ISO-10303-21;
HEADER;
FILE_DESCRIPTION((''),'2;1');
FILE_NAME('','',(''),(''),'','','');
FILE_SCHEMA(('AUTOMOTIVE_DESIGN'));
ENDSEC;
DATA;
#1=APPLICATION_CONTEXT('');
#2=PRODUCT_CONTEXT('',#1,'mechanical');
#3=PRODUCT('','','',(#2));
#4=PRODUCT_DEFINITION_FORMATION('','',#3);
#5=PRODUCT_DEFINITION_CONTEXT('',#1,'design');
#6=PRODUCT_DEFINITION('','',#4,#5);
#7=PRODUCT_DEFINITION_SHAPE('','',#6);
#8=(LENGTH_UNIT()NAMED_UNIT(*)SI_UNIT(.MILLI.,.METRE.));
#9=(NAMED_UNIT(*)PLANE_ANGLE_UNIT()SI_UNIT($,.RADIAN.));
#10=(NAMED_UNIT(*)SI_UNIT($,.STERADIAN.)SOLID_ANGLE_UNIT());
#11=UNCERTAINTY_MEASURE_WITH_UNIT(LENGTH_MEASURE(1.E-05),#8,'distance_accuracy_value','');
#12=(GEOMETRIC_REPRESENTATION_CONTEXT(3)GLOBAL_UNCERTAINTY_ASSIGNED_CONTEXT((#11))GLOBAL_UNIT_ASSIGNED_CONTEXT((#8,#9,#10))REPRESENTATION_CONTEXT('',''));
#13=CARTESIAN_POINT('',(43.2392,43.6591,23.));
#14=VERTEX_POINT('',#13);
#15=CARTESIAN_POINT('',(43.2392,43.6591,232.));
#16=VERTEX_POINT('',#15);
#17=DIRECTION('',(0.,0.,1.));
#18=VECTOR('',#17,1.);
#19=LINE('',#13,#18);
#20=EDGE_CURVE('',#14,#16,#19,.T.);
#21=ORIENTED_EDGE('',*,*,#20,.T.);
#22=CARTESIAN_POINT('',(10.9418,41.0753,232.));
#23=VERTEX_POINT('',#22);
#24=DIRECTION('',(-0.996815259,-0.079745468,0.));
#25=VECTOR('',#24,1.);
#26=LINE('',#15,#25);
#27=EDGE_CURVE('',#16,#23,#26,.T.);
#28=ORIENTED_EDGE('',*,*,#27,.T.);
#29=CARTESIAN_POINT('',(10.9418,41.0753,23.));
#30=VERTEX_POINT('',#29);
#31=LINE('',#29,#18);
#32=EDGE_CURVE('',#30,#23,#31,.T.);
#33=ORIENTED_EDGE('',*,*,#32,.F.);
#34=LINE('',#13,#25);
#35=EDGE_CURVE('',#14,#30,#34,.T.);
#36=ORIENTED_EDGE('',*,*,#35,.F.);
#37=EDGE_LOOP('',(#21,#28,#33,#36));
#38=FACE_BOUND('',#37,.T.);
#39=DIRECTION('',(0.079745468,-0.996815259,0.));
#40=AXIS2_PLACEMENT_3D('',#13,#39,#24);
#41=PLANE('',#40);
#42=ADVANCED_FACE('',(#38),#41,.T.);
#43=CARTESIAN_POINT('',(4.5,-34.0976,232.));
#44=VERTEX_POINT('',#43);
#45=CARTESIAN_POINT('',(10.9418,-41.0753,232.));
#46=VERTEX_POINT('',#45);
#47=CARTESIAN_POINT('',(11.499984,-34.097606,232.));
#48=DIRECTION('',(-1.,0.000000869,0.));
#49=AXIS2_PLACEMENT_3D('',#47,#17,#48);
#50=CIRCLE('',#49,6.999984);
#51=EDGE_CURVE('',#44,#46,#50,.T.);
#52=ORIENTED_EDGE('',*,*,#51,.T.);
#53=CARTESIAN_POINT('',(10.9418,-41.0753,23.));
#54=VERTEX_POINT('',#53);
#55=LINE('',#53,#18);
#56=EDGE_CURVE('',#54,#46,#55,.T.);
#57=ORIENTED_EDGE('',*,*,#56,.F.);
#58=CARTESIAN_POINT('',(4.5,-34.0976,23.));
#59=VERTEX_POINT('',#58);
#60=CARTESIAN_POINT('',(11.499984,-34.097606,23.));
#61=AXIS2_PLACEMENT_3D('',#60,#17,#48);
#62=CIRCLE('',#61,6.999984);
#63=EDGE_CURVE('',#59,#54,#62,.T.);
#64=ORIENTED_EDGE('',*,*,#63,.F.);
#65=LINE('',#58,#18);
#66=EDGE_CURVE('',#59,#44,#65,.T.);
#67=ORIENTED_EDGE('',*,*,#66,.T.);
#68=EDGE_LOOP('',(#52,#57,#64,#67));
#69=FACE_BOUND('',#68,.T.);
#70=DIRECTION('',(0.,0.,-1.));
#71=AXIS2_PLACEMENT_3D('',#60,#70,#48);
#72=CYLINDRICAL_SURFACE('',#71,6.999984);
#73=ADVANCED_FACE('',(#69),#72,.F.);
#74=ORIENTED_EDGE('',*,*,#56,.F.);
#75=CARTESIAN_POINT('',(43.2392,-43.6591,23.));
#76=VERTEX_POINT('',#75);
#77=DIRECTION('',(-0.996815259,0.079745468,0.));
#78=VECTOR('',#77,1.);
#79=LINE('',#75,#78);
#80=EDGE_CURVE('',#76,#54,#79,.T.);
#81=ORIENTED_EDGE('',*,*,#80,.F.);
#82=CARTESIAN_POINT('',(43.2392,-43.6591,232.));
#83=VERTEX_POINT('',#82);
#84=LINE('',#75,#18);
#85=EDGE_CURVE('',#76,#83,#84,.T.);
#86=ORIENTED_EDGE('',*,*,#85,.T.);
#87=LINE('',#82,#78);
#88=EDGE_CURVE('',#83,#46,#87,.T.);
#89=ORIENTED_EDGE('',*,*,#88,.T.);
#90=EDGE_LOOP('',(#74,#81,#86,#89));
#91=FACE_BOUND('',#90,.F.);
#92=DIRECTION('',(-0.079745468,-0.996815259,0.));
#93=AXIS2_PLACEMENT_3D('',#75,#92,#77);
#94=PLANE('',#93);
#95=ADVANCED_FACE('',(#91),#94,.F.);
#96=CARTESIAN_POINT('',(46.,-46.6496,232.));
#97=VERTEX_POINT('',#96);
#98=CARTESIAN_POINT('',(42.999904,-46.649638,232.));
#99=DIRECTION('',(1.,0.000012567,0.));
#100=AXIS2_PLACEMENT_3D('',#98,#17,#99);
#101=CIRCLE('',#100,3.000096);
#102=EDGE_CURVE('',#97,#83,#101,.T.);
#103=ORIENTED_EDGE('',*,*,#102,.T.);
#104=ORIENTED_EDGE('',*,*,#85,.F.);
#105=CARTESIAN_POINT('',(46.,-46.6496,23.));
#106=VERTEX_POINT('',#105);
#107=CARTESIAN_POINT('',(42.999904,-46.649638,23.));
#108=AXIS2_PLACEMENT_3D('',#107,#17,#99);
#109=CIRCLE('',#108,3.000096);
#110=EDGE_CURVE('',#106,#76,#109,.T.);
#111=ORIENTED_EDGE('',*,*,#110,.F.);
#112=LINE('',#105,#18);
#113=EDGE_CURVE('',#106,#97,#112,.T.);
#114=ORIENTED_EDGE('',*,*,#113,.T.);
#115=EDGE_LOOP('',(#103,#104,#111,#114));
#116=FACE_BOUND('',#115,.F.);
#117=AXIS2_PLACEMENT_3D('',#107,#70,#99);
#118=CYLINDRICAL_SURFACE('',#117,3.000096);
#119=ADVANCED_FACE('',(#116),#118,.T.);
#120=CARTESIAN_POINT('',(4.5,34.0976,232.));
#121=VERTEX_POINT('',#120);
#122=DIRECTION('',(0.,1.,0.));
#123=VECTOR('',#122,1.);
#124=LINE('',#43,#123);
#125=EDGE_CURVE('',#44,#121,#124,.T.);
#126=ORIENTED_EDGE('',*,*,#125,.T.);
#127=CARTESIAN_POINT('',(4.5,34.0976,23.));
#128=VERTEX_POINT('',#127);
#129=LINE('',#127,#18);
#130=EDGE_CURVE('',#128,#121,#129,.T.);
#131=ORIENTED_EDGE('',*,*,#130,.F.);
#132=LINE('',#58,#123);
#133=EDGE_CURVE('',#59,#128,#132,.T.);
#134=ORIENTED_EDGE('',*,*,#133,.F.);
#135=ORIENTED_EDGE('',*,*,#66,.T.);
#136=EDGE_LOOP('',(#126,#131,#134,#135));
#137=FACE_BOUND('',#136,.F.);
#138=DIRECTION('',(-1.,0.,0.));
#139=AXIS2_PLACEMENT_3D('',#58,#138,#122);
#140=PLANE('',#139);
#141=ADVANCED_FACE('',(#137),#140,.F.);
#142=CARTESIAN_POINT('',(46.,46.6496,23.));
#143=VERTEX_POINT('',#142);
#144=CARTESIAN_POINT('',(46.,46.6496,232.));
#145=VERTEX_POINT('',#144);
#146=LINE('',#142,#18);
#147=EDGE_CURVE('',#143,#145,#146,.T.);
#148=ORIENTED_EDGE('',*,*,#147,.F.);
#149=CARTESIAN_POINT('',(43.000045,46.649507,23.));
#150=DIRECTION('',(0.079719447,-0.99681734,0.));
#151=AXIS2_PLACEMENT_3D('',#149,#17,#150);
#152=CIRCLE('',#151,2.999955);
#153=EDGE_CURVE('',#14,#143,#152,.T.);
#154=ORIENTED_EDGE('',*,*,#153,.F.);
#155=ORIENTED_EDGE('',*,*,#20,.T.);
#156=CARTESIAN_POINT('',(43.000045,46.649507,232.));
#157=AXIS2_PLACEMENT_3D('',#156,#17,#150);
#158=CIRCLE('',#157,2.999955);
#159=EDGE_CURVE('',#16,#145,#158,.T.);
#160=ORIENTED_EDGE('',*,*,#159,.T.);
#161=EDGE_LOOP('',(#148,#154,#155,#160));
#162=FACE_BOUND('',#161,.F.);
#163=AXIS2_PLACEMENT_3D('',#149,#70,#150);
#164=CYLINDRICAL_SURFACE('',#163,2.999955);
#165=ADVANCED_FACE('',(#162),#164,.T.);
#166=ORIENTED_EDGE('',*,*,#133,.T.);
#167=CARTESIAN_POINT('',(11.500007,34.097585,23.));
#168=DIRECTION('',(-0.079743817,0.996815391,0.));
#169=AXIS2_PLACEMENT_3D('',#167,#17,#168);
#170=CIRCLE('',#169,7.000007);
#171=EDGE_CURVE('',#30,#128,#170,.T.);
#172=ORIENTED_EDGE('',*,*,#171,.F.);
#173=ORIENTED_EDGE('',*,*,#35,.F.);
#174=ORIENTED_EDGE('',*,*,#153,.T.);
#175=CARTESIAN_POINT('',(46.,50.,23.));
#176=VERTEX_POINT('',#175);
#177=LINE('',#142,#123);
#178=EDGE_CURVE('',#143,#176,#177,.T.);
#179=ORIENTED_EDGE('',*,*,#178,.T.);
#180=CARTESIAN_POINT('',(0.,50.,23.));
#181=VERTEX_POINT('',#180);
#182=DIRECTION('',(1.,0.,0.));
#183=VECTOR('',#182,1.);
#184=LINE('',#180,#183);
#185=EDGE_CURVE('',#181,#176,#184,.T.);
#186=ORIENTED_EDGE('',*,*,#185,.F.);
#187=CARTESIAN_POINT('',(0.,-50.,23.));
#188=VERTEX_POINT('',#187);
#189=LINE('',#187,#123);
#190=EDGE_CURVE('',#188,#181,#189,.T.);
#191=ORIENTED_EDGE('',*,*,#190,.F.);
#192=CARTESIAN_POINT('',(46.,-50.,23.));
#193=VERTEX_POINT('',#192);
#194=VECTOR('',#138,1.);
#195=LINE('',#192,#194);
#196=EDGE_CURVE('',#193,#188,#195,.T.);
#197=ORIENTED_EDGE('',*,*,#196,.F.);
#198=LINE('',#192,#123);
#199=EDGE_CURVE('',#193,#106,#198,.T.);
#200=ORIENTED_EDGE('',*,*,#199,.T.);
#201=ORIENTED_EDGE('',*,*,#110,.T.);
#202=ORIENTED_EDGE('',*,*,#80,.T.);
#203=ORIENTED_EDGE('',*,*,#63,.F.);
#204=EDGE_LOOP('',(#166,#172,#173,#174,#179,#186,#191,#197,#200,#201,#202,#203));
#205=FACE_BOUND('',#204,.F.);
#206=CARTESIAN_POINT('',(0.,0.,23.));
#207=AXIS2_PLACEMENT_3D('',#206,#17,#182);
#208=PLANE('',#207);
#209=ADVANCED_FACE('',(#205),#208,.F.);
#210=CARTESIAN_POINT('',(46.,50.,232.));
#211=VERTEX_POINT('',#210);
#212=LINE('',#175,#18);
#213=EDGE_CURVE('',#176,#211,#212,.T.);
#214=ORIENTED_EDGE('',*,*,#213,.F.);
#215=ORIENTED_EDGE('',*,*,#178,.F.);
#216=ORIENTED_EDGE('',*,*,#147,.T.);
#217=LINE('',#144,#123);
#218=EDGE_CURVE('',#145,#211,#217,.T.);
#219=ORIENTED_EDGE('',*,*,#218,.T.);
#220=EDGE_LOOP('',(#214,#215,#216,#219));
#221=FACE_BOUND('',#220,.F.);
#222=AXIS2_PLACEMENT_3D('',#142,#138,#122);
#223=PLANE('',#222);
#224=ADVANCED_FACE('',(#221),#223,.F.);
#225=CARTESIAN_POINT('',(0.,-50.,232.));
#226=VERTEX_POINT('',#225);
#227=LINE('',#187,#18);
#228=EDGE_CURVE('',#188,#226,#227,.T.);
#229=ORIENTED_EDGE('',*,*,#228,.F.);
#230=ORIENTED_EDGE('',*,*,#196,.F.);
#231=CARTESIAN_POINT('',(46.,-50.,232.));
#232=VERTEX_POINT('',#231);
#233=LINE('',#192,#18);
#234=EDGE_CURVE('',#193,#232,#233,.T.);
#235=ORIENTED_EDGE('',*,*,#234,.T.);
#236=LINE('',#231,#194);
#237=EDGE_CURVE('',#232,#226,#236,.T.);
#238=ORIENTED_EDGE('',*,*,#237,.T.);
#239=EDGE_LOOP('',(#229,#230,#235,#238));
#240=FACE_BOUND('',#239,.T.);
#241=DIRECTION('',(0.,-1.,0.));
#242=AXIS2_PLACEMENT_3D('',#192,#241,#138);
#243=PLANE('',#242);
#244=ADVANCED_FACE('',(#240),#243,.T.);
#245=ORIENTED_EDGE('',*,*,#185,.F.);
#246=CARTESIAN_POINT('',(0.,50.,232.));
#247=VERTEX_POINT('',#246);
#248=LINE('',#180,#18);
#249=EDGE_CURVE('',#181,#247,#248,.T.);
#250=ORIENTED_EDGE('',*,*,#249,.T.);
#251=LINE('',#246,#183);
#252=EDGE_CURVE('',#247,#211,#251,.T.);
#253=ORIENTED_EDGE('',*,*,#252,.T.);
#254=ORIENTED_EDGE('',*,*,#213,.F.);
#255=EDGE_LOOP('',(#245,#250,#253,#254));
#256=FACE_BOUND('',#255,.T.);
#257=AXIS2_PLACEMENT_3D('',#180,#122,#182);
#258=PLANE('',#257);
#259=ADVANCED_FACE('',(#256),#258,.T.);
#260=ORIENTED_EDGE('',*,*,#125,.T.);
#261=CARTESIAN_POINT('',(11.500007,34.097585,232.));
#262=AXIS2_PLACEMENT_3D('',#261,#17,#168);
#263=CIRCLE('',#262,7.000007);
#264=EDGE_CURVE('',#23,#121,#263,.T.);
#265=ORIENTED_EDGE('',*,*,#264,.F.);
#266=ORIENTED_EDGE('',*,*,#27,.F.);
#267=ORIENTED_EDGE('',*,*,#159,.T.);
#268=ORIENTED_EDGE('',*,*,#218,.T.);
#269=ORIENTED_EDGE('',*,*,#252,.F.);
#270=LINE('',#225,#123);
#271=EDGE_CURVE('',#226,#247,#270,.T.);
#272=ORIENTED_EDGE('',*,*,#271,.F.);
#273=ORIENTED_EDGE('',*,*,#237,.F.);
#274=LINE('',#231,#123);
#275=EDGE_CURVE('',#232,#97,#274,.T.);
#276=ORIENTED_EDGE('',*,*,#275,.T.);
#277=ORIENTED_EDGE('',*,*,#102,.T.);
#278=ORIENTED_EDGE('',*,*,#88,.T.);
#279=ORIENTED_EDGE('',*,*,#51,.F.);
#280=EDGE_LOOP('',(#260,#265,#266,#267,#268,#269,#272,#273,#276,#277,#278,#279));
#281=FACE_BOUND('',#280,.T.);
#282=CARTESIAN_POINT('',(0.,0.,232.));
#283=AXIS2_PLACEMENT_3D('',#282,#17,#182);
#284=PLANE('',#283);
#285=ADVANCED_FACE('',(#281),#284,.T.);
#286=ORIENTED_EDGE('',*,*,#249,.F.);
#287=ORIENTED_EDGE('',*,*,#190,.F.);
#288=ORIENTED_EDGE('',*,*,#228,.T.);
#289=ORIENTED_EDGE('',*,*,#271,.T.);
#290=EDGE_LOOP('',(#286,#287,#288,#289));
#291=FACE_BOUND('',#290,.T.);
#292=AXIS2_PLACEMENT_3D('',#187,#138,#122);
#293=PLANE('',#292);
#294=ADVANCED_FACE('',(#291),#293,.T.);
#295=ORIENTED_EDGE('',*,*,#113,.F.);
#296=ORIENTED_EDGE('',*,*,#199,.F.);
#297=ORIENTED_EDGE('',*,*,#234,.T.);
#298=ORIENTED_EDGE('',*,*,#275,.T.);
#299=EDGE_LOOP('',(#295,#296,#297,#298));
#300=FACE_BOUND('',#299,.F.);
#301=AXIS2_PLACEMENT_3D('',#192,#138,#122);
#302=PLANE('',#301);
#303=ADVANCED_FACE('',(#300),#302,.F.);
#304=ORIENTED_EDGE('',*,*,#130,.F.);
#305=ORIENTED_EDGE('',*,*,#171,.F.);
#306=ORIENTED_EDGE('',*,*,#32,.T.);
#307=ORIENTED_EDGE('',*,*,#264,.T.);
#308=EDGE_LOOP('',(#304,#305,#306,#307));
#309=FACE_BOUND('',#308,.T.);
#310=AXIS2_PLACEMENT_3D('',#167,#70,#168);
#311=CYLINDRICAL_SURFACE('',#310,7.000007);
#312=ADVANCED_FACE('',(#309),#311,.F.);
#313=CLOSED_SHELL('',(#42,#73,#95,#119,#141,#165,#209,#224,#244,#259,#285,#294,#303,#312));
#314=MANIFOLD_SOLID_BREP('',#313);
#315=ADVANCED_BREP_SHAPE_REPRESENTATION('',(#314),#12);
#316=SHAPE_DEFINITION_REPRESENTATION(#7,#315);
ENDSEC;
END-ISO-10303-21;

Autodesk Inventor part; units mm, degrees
ref_plane "Начальная плоскость" through (0, 0, 23) normal (0, 0, 1) x (1, 0, 0)
ref_plane "Конечная плоскость" through (0, 0, 232) normal (0, 0, 1) x (1, 0, 0)
sketch "Эскиз" plane through (0, 0, 0) normal (0, 0, 1) x (1, 0, 0)
  line L0 (46, -50) -> (0, -50)
  line L1 (46, -50) -> (46, -46.6496)
  line L2 (43.2392, -43.6591) -> (10.9418, -41.0753)
  line L3 (4.5, -34.0976) -> (4.5, 34.0976)
  line L4 (43.2392, 43.6591) -> (10.9418, 41.0753)
  line L5 (46, 46.6496) -> (46, 50)
  line L6 (0, 50) -> (46, 50)
  line L7 (0, -50) -> (0, 50)
  arc A0 (4.5, -34.0976) -> (10.9418, -41.0753) centre (11.5, -34.0976) ccw
  arc A1 (10.9418, 41.0753) -> (4.5, 34.0976) centre (11.5, 34.0976) ccw
  arc A2 (46, -46.6496) -> (43.2392, -43.6591) centre (43, -46.6496) ccw
  arc A3 (43.2392, 43.6591) -> (46, 46.6496) centre (43, 46.6496) ccw
  line L8 (0, 70) -> (0, -70) construction
  line L9 (-9.3169, 0) -> (55.9016, 0) construction
  point P0 (46, -43.88)
  point P1 (4.5, -40.56)
  point P2 (4.5, 40.56)
  point P3 (46, 43.88)
  dimension "d3" = 46
  dimension "d5" = 4.5
  dimension "d7" = 100
  dimension "d9" = 9.44
  dimension "d11" = 9.44
  dimension "d13" = 6.12
  dimension "d15" = 6.12
  dimension "d22" = 7
  dimension "d23" = 3
  dimension "d24" = 50
  dimension "d25" = 0
extrude "Тело" add sketch "Эскиз" along normal up to surface (209 mm away) from surface at 23
sketch "Sketch3" plane through (0, 0, 0) normal (0, 0, 1) x (1, 0, 0)
  line L0 (0, 0) -> (10, 0)
ref_plane "Work Plane7" through (0, 0, 0) normal (0, -1, 0) x (1, 0, 0)
sketch "Sketch4" plane through (0, 0, 0) normal (0, -1, 0) x (1, 0, 0)
  line L0 (-2, 23) -> (12, 23)
  line L1 (-2, 232) -> (12, 232)
  dimension "d29" = 209
ref_plane "РабПлоскость8" through (-82, -50, 23) normal (0, 0, -1) x (-1, 0, 0)
split "Разделение1" plane through (-82, -50, 23) removes the side toward (0, 0, -1)
ref_plane "РабПлоскость9" through (533, -50, 232) normal (0, 0, 1) x (1, 0, 0)
split "Разделение2" plane through (533, -50, 232) removes the side toward (0, 0, 1)
equation "\"d3\" = b"
equation "\"d5\" = t1"
equation "\"d7\" = ParH"
equation "\"d9\" = msp_x1 + t2"
equation "\"d11\" = msp_x1 + t2"
equation "\"d13\" = -msp_x2 + t2"
equation "\"d15\" = -msp_x2 + t2"
equation "\"d22\" = R"
equation "\"d23\" = R1"
equation "\"d24\" = 0.5 * d7"
equation "\"d16\" = G_L"
equation "\"R1\" = 3"
equation "\"R\" = 7"
equation "\"t1\" = 4.5"
equation "\"t2\" = 7.6"
equation "\"ParH\" = 100"
equation "\"b\" = 46"
equation "\"msp_x1\" = 0.04 * b"
equation "\"msp_x2\" = -0.08 * t1 + 0.04 * b"
equation "\"G_L\" = d29"
equation "\"ex\" = 0"
equation "\"G_OFFSET_START\" = -23"
equation "\"G_OFFSET_END\" = -23"
equation "\"d26\" = -G_OFFSET_START"
equation "\"d27\" = G_OFFSET_END + B_L"
equation "\"B_L\" = 255"
properties part number "Швеллер 10U-209 ГОСТ 8240-97" material "Сталь, мягкая, сварочная"
